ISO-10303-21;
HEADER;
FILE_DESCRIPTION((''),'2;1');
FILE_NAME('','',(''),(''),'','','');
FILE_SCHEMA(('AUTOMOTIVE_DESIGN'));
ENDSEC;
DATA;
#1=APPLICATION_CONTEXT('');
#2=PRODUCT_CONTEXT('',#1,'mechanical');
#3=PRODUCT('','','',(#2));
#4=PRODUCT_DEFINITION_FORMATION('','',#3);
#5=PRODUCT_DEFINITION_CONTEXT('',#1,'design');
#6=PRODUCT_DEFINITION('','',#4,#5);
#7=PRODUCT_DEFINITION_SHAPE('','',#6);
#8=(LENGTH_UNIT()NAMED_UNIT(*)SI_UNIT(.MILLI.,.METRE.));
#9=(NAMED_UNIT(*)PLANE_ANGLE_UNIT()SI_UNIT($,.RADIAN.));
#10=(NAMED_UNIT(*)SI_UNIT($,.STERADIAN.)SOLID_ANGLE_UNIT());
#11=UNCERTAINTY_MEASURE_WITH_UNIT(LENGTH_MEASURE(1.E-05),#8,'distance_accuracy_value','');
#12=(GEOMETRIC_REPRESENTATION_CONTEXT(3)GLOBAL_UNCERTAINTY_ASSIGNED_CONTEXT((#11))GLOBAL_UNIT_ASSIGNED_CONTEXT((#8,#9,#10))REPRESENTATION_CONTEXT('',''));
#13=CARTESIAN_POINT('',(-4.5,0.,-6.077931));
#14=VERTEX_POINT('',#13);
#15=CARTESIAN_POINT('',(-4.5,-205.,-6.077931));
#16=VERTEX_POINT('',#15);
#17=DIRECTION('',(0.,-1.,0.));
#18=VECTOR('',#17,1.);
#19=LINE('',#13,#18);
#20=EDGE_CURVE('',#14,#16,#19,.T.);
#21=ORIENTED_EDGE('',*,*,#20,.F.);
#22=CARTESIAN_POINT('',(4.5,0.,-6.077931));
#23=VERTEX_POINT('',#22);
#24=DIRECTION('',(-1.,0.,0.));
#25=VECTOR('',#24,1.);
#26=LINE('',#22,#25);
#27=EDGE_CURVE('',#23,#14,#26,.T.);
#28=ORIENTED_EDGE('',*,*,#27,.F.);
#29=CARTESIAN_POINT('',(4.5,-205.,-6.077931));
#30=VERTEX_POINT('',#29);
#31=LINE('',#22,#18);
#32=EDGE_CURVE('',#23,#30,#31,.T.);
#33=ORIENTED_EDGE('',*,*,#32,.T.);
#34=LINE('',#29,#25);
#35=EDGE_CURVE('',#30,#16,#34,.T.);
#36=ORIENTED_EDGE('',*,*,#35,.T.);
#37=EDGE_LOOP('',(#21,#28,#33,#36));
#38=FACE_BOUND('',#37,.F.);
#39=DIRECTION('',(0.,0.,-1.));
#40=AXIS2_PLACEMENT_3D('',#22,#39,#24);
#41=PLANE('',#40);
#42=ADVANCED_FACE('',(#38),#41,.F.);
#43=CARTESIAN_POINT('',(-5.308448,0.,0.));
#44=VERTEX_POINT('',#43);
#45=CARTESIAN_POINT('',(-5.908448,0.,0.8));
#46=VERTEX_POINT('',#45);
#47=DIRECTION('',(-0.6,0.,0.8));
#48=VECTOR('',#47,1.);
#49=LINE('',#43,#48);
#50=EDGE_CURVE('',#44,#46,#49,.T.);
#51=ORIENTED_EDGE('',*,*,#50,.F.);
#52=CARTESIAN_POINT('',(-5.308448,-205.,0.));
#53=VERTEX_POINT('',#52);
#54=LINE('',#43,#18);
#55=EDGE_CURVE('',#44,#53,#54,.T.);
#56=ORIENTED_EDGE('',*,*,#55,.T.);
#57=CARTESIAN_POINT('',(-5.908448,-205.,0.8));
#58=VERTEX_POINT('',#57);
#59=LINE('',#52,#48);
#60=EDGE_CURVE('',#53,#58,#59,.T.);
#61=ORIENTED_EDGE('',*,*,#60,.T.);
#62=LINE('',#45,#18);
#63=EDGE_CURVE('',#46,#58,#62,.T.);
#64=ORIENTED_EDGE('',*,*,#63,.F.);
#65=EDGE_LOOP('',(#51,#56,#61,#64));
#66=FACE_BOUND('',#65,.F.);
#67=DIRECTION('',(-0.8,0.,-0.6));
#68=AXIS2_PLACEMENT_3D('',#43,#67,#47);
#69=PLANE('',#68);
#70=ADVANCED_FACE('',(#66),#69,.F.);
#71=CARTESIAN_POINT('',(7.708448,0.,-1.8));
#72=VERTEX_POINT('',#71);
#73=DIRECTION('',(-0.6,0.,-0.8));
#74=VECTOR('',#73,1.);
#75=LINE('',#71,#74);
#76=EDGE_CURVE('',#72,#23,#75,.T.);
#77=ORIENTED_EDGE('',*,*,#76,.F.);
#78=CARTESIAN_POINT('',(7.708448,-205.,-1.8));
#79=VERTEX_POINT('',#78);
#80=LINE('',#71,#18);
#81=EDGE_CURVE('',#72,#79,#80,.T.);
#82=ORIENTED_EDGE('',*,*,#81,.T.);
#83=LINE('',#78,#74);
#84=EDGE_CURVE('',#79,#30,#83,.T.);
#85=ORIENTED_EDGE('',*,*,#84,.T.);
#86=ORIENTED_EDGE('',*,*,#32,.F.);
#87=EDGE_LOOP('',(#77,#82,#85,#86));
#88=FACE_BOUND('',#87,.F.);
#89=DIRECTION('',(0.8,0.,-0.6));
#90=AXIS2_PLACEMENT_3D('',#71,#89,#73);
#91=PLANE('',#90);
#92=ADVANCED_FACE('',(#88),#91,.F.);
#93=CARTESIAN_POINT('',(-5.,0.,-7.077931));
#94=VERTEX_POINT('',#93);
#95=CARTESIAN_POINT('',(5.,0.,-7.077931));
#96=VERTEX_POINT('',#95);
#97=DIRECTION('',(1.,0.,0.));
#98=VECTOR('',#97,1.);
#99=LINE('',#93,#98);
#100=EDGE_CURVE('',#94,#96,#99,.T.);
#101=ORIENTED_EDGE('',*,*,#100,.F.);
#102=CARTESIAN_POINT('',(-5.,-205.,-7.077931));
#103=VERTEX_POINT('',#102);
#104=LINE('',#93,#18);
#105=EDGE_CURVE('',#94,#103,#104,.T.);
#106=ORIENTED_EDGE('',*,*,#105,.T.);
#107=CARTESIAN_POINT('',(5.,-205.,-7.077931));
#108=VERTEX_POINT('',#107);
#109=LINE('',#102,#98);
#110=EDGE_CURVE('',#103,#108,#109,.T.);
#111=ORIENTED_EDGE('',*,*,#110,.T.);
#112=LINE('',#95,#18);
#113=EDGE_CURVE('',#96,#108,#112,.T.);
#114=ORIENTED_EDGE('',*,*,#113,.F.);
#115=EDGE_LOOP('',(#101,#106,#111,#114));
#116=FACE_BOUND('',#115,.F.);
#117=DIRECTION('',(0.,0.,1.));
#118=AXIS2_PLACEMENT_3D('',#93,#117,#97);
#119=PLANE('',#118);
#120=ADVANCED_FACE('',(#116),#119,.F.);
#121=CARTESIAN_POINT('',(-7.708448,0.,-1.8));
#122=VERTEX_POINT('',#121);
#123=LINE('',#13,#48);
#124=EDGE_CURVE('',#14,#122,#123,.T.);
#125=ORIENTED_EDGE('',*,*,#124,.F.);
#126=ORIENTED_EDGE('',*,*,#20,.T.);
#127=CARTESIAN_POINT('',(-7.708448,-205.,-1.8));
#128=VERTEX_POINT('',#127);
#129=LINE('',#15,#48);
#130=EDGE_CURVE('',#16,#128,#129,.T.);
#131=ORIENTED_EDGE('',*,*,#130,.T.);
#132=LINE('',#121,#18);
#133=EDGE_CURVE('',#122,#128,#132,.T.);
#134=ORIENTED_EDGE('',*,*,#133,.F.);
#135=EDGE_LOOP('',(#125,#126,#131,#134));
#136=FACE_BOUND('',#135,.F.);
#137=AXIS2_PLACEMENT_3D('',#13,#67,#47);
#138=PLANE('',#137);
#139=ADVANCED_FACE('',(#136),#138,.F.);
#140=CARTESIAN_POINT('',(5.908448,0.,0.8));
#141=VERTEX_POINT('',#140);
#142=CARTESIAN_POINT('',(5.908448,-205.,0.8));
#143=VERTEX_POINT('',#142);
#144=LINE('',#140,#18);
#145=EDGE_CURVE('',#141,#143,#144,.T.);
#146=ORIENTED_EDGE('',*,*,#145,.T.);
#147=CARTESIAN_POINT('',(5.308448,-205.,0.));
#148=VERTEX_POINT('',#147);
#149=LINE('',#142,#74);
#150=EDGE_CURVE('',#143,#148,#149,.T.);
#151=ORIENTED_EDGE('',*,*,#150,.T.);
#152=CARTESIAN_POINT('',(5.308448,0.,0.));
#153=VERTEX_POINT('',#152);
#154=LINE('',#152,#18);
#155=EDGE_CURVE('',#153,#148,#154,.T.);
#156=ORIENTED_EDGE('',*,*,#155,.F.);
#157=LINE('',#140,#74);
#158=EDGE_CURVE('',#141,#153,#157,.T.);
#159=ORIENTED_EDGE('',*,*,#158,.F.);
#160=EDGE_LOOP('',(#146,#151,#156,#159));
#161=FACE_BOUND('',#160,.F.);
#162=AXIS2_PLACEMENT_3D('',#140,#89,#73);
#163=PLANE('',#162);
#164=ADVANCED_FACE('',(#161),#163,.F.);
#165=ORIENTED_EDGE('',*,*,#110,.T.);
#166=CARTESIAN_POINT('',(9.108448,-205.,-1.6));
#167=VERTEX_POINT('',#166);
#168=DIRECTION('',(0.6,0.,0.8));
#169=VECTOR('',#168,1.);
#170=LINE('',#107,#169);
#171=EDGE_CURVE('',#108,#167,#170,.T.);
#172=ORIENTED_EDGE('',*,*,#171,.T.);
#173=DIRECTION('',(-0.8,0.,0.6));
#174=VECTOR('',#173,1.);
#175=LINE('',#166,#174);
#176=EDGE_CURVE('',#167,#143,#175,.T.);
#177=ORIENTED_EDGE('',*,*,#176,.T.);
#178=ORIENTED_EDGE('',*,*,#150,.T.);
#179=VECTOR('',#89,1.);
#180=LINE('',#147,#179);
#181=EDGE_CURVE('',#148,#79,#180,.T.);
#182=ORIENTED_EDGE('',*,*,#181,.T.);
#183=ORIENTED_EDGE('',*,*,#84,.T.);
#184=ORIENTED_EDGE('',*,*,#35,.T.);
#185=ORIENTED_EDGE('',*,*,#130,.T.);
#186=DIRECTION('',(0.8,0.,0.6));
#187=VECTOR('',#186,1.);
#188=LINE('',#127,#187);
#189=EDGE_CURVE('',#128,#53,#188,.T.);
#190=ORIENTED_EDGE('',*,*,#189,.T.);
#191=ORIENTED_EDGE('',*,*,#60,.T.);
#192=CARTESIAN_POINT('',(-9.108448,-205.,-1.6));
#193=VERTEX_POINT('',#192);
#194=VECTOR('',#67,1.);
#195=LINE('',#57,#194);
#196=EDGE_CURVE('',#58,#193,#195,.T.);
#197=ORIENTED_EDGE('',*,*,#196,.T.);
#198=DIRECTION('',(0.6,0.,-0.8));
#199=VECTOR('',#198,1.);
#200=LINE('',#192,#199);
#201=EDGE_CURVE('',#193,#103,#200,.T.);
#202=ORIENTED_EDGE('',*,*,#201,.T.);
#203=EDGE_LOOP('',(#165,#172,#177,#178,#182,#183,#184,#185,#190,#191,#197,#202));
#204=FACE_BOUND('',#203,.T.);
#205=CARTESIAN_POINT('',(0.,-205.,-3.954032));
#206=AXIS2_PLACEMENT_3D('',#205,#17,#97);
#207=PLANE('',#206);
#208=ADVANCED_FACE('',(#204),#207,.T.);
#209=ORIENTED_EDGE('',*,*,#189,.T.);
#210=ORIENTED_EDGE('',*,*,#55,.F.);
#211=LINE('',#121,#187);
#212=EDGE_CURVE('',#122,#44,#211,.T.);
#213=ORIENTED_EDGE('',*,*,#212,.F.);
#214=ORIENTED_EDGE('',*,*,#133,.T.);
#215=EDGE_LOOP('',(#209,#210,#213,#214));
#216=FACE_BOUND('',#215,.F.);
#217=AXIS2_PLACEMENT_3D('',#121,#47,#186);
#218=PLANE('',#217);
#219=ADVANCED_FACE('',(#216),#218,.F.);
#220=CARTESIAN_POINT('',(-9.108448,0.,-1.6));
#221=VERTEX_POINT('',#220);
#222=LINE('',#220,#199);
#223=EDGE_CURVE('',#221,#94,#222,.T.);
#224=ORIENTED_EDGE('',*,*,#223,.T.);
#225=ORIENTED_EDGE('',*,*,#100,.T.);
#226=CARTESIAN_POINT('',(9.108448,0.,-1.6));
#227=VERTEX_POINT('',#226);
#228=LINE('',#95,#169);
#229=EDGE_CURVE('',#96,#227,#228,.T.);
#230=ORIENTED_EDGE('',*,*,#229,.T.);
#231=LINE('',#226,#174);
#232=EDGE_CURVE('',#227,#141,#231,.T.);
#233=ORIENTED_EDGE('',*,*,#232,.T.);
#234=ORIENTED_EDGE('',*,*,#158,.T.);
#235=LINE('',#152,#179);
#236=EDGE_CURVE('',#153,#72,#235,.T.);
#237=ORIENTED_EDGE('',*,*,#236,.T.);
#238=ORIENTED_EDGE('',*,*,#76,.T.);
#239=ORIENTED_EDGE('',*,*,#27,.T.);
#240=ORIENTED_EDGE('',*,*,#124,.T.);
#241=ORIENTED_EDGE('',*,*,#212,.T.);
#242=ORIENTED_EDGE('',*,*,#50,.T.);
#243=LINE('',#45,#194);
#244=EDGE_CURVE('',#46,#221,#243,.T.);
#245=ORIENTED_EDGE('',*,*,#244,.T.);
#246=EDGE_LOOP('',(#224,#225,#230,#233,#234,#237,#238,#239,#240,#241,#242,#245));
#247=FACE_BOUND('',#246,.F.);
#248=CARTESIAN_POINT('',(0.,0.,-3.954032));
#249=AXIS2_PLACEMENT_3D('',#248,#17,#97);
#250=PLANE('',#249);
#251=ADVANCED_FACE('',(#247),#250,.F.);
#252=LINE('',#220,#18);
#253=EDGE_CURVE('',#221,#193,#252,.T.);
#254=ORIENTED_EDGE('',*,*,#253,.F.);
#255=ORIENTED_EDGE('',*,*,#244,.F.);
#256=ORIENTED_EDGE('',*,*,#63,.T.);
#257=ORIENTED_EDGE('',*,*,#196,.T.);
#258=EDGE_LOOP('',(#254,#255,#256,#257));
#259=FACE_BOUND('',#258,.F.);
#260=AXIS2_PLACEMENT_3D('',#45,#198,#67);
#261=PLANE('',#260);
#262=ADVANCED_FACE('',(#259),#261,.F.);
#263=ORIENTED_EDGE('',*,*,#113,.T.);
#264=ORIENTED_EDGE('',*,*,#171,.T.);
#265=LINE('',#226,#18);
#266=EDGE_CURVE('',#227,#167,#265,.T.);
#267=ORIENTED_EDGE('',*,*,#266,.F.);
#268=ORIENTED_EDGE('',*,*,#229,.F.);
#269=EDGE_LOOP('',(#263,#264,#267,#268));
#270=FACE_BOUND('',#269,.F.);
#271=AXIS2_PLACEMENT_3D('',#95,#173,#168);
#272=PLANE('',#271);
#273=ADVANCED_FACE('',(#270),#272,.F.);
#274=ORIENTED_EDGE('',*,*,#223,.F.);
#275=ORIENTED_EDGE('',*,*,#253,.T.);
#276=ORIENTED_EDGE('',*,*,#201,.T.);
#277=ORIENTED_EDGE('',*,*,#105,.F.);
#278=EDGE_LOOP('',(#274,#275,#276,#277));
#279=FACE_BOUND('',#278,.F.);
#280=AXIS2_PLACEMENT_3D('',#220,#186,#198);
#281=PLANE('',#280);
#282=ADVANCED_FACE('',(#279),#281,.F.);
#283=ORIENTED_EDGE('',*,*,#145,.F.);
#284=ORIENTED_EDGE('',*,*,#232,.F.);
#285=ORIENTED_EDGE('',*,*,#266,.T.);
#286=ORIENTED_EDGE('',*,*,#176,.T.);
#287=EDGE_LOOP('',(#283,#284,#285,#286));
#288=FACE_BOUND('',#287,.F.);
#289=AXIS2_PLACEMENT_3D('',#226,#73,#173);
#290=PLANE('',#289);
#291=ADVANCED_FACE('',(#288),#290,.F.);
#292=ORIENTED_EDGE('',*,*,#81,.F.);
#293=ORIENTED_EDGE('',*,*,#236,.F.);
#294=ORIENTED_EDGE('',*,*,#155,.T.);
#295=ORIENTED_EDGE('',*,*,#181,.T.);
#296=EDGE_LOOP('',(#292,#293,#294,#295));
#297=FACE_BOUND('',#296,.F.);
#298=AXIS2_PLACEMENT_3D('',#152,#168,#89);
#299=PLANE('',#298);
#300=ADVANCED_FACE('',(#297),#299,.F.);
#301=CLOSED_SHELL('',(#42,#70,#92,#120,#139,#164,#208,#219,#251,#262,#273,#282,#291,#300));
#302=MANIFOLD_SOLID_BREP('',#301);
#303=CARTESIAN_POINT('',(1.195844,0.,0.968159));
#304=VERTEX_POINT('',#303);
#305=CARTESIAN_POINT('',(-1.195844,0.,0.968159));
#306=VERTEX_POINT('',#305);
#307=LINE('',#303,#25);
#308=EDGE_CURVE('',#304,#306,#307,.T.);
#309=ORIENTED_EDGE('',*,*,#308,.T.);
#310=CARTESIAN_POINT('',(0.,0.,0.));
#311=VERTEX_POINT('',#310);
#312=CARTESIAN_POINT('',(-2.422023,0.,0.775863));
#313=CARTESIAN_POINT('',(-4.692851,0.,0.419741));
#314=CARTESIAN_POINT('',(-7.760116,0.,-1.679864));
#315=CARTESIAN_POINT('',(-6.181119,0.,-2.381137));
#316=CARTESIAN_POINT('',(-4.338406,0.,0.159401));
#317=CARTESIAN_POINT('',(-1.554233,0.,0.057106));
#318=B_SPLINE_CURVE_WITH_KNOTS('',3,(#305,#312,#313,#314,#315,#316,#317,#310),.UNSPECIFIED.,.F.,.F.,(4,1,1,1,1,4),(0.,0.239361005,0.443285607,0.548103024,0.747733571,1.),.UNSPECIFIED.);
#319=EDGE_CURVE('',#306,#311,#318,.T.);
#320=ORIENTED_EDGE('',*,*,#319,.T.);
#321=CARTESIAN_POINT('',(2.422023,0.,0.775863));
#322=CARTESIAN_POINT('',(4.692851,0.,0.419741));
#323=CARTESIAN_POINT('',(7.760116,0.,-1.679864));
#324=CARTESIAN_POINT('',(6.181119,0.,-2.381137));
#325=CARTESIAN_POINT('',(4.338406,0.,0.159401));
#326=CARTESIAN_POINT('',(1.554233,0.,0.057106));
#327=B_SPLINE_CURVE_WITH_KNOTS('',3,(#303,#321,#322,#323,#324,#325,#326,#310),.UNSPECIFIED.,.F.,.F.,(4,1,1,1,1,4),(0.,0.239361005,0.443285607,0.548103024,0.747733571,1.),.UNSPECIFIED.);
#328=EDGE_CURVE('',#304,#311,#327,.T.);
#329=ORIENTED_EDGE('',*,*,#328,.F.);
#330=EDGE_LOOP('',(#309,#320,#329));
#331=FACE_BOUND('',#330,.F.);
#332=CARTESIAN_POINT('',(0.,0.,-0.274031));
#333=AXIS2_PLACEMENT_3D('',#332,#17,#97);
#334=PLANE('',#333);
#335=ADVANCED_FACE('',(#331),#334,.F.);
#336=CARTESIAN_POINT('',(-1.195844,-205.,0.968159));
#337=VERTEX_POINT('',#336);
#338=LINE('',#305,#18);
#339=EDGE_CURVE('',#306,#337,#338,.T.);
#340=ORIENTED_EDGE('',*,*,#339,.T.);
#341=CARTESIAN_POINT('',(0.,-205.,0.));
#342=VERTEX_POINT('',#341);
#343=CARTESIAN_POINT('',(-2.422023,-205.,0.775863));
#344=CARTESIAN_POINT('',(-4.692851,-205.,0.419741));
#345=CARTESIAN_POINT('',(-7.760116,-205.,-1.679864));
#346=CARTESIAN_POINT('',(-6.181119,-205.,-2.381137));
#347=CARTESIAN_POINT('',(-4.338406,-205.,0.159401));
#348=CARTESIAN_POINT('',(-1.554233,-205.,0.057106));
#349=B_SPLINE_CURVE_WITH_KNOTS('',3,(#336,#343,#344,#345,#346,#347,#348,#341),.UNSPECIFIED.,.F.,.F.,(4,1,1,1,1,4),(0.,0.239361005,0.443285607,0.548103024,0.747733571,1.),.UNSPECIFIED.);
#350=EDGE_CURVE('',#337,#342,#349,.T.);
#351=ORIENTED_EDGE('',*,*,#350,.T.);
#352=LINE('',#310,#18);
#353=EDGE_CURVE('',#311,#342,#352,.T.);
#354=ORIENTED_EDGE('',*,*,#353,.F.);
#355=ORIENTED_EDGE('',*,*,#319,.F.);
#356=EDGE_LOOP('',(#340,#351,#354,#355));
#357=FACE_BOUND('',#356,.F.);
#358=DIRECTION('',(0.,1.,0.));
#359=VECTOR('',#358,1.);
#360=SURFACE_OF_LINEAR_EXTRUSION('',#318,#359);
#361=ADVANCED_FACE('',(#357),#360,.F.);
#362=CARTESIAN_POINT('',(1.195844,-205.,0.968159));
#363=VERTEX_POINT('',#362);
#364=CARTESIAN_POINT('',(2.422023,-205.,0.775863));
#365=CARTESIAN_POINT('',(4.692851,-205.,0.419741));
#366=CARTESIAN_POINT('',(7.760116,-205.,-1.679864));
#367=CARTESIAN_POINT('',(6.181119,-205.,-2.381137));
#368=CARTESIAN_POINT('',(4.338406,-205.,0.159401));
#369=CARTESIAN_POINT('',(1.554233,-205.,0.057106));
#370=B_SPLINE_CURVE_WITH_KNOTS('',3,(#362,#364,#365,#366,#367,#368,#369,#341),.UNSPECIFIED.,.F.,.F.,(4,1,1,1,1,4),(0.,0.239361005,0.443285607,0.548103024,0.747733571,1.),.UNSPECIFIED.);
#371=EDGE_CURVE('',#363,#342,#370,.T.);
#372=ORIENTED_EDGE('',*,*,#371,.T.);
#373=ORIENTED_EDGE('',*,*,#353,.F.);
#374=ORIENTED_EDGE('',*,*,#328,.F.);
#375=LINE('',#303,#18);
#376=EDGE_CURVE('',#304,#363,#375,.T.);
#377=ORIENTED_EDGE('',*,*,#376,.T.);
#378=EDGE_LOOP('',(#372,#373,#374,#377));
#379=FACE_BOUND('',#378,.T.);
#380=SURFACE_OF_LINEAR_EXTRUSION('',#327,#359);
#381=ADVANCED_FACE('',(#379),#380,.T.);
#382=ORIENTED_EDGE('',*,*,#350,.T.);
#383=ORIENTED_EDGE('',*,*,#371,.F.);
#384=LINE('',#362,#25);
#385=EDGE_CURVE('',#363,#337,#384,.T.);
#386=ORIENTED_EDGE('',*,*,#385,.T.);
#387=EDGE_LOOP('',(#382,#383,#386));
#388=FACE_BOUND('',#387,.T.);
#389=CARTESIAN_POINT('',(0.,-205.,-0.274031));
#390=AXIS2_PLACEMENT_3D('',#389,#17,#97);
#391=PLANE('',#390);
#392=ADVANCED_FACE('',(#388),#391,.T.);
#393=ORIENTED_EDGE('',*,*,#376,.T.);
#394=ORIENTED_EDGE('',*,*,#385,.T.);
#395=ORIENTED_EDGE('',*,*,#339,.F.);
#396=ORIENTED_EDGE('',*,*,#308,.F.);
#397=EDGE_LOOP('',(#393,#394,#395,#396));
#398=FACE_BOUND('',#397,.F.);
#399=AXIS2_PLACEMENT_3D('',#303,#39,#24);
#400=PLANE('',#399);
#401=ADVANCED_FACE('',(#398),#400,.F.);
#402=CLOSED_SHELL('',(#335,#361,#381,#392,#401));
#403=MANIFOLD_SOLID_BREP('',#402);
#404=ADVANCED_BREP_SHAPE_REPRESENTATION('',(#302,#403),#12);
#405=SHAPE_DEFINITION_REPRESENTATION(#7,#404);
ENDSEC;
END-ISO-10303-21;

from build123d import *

# Parameters (mm, degrees)
F1_DEPTH = 205
F3_DEPTH = 205


with BuildPart() as f1:
    # F0 (on Front) → F1 (new body)
    with BuildSketch(Plane.XZ):
        Polygon((4.5, -6.0779305603), (0, -6.0779305603), (-4.5, -6.0779305603), (-7.7084479203, -1.8), (-5.3084479203, 0), (-5.9084479203, 0.8), (-9.1084479203, -1.6), (-5, -7.0779305603), (0, -7.0779305603), (5, -7.0779305603), (9.1084479203, -1.6), (5.9084479203, 0.8), (5.3084479203, 0), (7.7084479203, -1.8), align=None)
    extrude(amount=F1_DEPTH)


with BuildPart() as f3:
    # F2 (on Front) → F3 (new body)
    with BuildSketch(Plane.XZ):
        with BuildLine():
            Line((0, 0.9681585943), (-1.1958437972, 0.9681585943))
            add(Edge.make_bspline(
                [(-1.1958437972, 0.9681585943), (-2.4220229659, 0.7758633532), (-4.6928505732, 0.4197413823), (-7.7601163519, -1.6798641852), (-6.1811186793, -2.3811365052), (-4.3384058389, 0.1594014536), (-1.5542332066, 0.0571055456), (0, 0)],
                knots=[0, 0, 0, 0, 0.2393610047, 0.4432856074, 0.5481030238, 0.7477335715, 1, 1, 1, 1], degree=3))
            add(Edge.make_bspline(
                [(1.1958437972, 0.9681585943), (2.4220229659, 0.7758633532), (4.6928505732, 0.4197413823), (7.7601163519, -1.6798641852), (6.1811186793, -2.3811365052), (4.3384058389, 0.1594014536), (1.5542332066, 0.0571055456), (0, 0)],
                knots=[0, 0, 0, 0, 0.2393610047, 0.4432856074, 0.5481030238, 0.7477335715, 1, 1, 1, 1], degree=3))
            Line((1.1958437972, 0.9681585943), (0, 0.9681585943))
        make_face()
    extrude(amount=F3_DEPTH)


solid = Compound([f1.part, f3.part])
